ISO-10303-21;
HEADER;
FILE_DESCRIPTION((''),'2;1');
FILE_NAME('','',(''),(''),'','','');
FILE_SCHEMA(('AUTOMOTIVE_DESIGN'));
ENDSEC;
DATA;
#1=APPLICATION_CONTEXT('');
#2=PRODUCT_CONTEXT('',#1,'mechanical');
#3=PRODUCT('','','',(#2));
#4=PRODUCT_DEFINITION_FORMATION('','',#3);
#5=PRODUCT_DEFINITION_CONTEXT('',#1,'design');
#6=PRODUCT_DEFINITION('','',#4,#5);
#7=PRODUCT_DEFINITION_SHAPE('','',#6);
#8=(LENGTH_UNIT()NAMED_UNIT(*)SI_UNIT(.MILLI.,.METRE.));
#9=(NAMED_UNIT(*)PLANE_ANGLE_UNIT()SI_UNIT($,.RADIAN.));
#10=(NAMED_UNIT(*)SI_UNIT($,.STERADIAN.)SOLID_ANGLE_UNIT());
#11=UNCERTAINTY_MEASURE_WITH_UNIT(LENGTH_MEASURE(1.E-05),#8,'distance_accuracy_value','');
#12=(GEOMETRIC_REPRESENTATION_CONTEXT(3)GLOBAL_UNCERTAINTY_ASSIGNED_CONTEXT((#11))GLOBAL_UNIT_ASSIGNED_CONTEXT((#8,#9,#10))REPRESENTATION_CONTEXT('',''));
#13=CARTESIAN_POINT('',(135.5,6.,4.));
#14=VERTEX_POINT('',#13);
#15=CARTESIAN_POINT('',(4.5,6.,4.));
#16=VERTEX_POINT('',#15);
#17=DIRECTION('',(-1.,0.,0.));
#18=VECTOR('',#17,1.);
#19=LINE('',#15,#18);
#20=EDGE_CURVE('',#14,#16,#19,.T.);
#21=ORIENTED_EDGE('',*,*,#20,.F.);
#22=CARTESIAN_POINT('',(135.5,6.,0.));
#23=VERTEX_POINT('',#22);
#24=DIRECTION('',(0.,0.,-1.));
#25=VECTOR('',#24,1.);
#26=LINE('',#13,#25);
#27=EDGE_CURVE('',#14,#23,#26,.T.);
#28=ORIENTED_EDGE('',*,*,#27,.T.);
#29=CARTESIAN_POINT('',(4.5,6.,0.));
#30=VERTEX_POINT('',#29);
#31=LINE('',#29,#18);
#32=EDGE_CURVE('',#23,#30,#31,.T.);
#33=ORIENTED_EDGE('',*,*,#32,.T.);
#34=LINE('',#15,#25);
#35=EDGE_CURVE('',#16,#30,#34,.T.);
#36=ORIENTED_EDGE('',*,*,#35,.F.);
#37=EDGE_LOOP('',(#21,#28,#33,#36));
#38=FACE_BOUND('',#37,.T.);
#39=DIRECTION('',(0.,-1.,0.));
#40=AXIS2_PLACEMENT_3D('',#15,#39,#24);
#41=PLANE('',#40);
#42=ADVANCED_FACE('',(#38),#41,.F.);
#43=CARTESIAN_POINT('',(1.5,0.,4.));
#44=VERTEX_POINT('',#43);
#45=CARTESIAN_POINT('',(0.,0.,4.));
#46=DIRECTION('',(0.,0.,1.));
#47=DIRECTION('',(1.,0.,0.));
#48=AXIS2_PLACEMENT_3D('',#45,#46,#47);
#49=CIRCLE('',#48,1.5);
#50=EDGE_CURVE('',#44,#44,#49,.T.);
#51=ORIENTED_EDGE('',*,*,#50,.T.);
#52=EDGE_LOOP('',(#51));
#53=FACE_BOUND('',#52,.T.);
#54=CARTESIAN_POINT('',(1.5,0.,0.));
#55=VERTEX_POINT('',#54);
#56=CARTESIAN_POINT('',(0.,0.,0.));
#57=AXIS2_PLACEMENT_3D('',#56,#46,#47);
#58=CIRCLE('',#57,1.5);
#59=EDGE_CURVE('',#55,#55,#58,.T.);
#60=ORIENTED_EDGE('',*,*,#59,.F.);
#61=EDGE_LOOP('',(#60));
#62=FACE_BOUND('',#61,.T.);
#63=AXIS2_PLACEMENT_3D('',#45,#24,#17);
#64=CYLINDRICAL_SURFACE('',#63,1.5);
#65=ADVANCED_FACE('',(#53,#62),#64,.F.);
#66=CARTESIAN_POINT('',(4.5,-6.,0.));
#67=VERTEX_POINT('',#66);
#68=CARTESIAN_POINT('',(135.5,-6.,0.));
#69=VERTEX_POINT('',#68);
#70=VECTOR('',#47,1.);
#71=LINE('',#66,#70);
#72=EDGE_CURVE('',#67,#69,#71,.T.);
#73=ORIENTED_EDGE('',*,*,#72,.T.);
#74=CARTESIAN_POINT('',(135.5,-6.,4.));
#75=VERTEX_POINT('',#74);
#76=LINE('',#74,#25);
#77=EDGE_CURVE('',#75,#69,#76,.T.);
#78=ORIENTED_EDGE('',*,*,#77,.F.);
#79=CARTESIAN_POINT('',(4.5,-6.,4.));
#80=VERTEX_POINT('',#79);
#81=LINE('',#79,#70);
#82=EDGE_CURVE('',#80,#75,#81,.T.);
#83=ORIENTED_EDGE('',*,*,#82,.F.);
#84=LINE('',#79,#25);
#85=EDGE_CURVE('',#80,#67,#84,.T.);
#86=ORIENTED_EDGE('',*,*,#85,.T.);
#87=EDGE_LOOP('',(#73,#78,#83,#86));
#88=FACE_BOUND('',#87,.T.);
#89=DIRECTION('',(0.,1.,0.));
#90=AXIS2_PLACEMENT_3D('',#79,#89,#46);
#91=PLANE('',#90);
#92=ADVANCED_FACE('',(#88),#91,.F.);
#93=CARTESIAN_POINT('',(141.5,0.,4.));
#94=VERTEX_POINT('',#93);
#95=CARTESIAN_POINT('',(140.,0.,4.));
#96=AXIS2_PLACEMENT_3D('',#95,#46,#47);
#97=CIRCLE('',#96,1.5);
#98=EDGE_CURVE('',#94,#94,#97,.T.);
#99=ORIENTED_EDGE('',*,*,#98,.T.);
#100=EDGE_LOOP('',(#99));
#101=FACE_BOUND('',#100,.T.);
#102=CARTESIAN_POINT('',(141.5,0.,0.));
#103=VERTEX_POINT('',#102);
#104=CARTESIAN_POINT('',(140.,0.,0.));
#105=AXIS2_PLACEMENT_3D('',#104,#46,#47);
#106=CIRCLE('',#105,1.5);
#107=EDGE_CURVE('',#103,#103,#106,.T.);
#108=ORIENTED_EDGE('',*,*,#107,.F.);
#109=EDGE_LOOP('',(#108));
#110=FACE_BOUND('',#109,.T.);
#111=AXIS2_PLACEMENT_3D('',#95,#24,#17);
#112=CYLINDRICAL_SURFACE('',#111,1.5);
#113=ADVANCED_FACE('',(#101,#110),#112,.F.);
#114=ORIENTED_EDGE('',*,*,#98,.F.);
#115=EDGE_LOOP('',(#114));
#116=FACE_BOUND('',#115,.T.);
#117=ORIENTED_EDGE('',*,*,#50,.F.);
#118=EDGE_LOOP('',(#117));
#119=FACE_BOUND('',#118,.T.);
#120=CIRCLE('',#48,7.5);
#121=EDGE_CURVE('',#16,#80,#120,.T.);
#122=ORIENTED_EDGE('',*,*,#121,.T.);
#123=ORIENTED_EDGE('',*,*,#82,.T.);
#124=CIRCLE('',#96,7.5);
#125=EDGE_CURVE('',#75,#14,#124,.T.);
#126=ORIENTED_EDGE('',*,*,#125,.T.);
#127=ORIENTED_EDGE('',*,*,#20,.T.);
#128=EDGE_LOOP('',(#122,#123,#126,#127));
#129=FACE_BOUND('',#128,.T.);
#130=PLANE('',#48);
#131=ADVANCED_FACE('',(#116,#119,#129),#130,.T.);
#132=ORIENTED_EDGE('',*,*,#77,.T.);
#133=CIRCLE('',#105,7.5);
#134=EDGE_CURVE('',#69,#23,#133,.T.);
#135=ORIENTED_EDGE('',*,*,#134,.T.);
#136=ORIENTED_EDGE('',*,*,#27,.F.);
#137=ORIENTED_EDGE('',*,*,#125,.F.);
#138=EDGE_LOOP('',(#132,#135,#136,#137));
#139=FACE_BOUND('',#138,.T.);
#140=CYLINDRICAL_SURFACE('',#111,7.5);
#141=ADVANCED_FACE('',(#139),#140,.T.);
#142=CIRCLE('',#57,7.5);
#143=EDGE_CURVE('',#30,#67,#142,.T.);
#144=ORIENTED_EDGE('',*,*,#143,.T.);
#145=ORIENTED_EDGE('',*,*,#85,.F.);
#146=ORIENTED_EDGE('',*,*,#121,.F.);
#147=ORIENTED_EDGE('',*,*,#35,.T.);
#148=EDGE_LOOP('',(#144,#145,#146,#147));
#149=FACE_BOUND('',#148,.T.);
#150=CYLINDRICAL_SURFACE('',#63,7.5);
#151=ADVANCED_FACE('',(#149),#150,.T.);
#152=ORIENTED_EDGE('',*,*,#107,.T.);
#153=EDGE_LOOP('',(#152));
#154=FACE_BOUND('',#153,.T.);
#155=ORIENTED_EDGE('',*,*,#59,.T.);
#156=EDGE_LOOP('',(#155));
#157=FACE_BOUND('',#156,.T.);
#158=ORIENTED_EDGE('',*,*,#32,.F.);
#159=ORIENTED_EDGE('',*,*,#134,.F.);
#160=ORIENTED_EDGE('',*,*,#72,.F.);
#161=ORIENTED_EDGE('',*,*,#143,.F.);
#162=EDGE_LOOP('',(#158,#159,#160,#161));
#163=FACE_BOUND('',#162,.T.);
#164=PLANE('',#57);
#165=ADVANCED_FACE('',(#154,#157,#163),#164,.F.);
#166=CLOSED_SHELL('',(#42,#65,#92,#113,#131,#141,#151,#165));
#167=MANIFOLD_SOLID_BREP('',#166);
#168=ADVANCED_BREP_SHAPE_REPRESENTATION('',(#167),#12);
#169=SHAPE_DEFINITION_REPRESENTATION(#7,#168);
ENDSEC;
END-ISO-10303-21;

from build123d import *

# Parameters (mm, degrees)
SCHIZZO1_R                   = 1.5
ESTRUSIONE_ESTRUSIONE1_DEPTH = 4


with BuildPart() as part:
    # Schizzo1 → Estrusione-Estrusione1 (new body)
    with BuildSketch(Plane.XY):
        with BuildLine():
            Line((4.5, -6), (135.5, -6))
            ThreePointArc((135.5, -6), (147.5, 0), (135.5, 6))
            Line((135.5, 6), (4.5, 6))
            ThreePointArc((4.5, 6), (-7.5, 0), (4.5, -6))
        make_face()
        Circle(SCHIZZO1_R, mode=Mode.SUBTRACT)
        with Locations((140, 0)):
            Circle(SCHIZZO1_R, mode=Mode.SUBTRACT)
    extrude(amount=ESTRUSIONE_ESTRUSIONE1_DEPTH)


solid = part.part
